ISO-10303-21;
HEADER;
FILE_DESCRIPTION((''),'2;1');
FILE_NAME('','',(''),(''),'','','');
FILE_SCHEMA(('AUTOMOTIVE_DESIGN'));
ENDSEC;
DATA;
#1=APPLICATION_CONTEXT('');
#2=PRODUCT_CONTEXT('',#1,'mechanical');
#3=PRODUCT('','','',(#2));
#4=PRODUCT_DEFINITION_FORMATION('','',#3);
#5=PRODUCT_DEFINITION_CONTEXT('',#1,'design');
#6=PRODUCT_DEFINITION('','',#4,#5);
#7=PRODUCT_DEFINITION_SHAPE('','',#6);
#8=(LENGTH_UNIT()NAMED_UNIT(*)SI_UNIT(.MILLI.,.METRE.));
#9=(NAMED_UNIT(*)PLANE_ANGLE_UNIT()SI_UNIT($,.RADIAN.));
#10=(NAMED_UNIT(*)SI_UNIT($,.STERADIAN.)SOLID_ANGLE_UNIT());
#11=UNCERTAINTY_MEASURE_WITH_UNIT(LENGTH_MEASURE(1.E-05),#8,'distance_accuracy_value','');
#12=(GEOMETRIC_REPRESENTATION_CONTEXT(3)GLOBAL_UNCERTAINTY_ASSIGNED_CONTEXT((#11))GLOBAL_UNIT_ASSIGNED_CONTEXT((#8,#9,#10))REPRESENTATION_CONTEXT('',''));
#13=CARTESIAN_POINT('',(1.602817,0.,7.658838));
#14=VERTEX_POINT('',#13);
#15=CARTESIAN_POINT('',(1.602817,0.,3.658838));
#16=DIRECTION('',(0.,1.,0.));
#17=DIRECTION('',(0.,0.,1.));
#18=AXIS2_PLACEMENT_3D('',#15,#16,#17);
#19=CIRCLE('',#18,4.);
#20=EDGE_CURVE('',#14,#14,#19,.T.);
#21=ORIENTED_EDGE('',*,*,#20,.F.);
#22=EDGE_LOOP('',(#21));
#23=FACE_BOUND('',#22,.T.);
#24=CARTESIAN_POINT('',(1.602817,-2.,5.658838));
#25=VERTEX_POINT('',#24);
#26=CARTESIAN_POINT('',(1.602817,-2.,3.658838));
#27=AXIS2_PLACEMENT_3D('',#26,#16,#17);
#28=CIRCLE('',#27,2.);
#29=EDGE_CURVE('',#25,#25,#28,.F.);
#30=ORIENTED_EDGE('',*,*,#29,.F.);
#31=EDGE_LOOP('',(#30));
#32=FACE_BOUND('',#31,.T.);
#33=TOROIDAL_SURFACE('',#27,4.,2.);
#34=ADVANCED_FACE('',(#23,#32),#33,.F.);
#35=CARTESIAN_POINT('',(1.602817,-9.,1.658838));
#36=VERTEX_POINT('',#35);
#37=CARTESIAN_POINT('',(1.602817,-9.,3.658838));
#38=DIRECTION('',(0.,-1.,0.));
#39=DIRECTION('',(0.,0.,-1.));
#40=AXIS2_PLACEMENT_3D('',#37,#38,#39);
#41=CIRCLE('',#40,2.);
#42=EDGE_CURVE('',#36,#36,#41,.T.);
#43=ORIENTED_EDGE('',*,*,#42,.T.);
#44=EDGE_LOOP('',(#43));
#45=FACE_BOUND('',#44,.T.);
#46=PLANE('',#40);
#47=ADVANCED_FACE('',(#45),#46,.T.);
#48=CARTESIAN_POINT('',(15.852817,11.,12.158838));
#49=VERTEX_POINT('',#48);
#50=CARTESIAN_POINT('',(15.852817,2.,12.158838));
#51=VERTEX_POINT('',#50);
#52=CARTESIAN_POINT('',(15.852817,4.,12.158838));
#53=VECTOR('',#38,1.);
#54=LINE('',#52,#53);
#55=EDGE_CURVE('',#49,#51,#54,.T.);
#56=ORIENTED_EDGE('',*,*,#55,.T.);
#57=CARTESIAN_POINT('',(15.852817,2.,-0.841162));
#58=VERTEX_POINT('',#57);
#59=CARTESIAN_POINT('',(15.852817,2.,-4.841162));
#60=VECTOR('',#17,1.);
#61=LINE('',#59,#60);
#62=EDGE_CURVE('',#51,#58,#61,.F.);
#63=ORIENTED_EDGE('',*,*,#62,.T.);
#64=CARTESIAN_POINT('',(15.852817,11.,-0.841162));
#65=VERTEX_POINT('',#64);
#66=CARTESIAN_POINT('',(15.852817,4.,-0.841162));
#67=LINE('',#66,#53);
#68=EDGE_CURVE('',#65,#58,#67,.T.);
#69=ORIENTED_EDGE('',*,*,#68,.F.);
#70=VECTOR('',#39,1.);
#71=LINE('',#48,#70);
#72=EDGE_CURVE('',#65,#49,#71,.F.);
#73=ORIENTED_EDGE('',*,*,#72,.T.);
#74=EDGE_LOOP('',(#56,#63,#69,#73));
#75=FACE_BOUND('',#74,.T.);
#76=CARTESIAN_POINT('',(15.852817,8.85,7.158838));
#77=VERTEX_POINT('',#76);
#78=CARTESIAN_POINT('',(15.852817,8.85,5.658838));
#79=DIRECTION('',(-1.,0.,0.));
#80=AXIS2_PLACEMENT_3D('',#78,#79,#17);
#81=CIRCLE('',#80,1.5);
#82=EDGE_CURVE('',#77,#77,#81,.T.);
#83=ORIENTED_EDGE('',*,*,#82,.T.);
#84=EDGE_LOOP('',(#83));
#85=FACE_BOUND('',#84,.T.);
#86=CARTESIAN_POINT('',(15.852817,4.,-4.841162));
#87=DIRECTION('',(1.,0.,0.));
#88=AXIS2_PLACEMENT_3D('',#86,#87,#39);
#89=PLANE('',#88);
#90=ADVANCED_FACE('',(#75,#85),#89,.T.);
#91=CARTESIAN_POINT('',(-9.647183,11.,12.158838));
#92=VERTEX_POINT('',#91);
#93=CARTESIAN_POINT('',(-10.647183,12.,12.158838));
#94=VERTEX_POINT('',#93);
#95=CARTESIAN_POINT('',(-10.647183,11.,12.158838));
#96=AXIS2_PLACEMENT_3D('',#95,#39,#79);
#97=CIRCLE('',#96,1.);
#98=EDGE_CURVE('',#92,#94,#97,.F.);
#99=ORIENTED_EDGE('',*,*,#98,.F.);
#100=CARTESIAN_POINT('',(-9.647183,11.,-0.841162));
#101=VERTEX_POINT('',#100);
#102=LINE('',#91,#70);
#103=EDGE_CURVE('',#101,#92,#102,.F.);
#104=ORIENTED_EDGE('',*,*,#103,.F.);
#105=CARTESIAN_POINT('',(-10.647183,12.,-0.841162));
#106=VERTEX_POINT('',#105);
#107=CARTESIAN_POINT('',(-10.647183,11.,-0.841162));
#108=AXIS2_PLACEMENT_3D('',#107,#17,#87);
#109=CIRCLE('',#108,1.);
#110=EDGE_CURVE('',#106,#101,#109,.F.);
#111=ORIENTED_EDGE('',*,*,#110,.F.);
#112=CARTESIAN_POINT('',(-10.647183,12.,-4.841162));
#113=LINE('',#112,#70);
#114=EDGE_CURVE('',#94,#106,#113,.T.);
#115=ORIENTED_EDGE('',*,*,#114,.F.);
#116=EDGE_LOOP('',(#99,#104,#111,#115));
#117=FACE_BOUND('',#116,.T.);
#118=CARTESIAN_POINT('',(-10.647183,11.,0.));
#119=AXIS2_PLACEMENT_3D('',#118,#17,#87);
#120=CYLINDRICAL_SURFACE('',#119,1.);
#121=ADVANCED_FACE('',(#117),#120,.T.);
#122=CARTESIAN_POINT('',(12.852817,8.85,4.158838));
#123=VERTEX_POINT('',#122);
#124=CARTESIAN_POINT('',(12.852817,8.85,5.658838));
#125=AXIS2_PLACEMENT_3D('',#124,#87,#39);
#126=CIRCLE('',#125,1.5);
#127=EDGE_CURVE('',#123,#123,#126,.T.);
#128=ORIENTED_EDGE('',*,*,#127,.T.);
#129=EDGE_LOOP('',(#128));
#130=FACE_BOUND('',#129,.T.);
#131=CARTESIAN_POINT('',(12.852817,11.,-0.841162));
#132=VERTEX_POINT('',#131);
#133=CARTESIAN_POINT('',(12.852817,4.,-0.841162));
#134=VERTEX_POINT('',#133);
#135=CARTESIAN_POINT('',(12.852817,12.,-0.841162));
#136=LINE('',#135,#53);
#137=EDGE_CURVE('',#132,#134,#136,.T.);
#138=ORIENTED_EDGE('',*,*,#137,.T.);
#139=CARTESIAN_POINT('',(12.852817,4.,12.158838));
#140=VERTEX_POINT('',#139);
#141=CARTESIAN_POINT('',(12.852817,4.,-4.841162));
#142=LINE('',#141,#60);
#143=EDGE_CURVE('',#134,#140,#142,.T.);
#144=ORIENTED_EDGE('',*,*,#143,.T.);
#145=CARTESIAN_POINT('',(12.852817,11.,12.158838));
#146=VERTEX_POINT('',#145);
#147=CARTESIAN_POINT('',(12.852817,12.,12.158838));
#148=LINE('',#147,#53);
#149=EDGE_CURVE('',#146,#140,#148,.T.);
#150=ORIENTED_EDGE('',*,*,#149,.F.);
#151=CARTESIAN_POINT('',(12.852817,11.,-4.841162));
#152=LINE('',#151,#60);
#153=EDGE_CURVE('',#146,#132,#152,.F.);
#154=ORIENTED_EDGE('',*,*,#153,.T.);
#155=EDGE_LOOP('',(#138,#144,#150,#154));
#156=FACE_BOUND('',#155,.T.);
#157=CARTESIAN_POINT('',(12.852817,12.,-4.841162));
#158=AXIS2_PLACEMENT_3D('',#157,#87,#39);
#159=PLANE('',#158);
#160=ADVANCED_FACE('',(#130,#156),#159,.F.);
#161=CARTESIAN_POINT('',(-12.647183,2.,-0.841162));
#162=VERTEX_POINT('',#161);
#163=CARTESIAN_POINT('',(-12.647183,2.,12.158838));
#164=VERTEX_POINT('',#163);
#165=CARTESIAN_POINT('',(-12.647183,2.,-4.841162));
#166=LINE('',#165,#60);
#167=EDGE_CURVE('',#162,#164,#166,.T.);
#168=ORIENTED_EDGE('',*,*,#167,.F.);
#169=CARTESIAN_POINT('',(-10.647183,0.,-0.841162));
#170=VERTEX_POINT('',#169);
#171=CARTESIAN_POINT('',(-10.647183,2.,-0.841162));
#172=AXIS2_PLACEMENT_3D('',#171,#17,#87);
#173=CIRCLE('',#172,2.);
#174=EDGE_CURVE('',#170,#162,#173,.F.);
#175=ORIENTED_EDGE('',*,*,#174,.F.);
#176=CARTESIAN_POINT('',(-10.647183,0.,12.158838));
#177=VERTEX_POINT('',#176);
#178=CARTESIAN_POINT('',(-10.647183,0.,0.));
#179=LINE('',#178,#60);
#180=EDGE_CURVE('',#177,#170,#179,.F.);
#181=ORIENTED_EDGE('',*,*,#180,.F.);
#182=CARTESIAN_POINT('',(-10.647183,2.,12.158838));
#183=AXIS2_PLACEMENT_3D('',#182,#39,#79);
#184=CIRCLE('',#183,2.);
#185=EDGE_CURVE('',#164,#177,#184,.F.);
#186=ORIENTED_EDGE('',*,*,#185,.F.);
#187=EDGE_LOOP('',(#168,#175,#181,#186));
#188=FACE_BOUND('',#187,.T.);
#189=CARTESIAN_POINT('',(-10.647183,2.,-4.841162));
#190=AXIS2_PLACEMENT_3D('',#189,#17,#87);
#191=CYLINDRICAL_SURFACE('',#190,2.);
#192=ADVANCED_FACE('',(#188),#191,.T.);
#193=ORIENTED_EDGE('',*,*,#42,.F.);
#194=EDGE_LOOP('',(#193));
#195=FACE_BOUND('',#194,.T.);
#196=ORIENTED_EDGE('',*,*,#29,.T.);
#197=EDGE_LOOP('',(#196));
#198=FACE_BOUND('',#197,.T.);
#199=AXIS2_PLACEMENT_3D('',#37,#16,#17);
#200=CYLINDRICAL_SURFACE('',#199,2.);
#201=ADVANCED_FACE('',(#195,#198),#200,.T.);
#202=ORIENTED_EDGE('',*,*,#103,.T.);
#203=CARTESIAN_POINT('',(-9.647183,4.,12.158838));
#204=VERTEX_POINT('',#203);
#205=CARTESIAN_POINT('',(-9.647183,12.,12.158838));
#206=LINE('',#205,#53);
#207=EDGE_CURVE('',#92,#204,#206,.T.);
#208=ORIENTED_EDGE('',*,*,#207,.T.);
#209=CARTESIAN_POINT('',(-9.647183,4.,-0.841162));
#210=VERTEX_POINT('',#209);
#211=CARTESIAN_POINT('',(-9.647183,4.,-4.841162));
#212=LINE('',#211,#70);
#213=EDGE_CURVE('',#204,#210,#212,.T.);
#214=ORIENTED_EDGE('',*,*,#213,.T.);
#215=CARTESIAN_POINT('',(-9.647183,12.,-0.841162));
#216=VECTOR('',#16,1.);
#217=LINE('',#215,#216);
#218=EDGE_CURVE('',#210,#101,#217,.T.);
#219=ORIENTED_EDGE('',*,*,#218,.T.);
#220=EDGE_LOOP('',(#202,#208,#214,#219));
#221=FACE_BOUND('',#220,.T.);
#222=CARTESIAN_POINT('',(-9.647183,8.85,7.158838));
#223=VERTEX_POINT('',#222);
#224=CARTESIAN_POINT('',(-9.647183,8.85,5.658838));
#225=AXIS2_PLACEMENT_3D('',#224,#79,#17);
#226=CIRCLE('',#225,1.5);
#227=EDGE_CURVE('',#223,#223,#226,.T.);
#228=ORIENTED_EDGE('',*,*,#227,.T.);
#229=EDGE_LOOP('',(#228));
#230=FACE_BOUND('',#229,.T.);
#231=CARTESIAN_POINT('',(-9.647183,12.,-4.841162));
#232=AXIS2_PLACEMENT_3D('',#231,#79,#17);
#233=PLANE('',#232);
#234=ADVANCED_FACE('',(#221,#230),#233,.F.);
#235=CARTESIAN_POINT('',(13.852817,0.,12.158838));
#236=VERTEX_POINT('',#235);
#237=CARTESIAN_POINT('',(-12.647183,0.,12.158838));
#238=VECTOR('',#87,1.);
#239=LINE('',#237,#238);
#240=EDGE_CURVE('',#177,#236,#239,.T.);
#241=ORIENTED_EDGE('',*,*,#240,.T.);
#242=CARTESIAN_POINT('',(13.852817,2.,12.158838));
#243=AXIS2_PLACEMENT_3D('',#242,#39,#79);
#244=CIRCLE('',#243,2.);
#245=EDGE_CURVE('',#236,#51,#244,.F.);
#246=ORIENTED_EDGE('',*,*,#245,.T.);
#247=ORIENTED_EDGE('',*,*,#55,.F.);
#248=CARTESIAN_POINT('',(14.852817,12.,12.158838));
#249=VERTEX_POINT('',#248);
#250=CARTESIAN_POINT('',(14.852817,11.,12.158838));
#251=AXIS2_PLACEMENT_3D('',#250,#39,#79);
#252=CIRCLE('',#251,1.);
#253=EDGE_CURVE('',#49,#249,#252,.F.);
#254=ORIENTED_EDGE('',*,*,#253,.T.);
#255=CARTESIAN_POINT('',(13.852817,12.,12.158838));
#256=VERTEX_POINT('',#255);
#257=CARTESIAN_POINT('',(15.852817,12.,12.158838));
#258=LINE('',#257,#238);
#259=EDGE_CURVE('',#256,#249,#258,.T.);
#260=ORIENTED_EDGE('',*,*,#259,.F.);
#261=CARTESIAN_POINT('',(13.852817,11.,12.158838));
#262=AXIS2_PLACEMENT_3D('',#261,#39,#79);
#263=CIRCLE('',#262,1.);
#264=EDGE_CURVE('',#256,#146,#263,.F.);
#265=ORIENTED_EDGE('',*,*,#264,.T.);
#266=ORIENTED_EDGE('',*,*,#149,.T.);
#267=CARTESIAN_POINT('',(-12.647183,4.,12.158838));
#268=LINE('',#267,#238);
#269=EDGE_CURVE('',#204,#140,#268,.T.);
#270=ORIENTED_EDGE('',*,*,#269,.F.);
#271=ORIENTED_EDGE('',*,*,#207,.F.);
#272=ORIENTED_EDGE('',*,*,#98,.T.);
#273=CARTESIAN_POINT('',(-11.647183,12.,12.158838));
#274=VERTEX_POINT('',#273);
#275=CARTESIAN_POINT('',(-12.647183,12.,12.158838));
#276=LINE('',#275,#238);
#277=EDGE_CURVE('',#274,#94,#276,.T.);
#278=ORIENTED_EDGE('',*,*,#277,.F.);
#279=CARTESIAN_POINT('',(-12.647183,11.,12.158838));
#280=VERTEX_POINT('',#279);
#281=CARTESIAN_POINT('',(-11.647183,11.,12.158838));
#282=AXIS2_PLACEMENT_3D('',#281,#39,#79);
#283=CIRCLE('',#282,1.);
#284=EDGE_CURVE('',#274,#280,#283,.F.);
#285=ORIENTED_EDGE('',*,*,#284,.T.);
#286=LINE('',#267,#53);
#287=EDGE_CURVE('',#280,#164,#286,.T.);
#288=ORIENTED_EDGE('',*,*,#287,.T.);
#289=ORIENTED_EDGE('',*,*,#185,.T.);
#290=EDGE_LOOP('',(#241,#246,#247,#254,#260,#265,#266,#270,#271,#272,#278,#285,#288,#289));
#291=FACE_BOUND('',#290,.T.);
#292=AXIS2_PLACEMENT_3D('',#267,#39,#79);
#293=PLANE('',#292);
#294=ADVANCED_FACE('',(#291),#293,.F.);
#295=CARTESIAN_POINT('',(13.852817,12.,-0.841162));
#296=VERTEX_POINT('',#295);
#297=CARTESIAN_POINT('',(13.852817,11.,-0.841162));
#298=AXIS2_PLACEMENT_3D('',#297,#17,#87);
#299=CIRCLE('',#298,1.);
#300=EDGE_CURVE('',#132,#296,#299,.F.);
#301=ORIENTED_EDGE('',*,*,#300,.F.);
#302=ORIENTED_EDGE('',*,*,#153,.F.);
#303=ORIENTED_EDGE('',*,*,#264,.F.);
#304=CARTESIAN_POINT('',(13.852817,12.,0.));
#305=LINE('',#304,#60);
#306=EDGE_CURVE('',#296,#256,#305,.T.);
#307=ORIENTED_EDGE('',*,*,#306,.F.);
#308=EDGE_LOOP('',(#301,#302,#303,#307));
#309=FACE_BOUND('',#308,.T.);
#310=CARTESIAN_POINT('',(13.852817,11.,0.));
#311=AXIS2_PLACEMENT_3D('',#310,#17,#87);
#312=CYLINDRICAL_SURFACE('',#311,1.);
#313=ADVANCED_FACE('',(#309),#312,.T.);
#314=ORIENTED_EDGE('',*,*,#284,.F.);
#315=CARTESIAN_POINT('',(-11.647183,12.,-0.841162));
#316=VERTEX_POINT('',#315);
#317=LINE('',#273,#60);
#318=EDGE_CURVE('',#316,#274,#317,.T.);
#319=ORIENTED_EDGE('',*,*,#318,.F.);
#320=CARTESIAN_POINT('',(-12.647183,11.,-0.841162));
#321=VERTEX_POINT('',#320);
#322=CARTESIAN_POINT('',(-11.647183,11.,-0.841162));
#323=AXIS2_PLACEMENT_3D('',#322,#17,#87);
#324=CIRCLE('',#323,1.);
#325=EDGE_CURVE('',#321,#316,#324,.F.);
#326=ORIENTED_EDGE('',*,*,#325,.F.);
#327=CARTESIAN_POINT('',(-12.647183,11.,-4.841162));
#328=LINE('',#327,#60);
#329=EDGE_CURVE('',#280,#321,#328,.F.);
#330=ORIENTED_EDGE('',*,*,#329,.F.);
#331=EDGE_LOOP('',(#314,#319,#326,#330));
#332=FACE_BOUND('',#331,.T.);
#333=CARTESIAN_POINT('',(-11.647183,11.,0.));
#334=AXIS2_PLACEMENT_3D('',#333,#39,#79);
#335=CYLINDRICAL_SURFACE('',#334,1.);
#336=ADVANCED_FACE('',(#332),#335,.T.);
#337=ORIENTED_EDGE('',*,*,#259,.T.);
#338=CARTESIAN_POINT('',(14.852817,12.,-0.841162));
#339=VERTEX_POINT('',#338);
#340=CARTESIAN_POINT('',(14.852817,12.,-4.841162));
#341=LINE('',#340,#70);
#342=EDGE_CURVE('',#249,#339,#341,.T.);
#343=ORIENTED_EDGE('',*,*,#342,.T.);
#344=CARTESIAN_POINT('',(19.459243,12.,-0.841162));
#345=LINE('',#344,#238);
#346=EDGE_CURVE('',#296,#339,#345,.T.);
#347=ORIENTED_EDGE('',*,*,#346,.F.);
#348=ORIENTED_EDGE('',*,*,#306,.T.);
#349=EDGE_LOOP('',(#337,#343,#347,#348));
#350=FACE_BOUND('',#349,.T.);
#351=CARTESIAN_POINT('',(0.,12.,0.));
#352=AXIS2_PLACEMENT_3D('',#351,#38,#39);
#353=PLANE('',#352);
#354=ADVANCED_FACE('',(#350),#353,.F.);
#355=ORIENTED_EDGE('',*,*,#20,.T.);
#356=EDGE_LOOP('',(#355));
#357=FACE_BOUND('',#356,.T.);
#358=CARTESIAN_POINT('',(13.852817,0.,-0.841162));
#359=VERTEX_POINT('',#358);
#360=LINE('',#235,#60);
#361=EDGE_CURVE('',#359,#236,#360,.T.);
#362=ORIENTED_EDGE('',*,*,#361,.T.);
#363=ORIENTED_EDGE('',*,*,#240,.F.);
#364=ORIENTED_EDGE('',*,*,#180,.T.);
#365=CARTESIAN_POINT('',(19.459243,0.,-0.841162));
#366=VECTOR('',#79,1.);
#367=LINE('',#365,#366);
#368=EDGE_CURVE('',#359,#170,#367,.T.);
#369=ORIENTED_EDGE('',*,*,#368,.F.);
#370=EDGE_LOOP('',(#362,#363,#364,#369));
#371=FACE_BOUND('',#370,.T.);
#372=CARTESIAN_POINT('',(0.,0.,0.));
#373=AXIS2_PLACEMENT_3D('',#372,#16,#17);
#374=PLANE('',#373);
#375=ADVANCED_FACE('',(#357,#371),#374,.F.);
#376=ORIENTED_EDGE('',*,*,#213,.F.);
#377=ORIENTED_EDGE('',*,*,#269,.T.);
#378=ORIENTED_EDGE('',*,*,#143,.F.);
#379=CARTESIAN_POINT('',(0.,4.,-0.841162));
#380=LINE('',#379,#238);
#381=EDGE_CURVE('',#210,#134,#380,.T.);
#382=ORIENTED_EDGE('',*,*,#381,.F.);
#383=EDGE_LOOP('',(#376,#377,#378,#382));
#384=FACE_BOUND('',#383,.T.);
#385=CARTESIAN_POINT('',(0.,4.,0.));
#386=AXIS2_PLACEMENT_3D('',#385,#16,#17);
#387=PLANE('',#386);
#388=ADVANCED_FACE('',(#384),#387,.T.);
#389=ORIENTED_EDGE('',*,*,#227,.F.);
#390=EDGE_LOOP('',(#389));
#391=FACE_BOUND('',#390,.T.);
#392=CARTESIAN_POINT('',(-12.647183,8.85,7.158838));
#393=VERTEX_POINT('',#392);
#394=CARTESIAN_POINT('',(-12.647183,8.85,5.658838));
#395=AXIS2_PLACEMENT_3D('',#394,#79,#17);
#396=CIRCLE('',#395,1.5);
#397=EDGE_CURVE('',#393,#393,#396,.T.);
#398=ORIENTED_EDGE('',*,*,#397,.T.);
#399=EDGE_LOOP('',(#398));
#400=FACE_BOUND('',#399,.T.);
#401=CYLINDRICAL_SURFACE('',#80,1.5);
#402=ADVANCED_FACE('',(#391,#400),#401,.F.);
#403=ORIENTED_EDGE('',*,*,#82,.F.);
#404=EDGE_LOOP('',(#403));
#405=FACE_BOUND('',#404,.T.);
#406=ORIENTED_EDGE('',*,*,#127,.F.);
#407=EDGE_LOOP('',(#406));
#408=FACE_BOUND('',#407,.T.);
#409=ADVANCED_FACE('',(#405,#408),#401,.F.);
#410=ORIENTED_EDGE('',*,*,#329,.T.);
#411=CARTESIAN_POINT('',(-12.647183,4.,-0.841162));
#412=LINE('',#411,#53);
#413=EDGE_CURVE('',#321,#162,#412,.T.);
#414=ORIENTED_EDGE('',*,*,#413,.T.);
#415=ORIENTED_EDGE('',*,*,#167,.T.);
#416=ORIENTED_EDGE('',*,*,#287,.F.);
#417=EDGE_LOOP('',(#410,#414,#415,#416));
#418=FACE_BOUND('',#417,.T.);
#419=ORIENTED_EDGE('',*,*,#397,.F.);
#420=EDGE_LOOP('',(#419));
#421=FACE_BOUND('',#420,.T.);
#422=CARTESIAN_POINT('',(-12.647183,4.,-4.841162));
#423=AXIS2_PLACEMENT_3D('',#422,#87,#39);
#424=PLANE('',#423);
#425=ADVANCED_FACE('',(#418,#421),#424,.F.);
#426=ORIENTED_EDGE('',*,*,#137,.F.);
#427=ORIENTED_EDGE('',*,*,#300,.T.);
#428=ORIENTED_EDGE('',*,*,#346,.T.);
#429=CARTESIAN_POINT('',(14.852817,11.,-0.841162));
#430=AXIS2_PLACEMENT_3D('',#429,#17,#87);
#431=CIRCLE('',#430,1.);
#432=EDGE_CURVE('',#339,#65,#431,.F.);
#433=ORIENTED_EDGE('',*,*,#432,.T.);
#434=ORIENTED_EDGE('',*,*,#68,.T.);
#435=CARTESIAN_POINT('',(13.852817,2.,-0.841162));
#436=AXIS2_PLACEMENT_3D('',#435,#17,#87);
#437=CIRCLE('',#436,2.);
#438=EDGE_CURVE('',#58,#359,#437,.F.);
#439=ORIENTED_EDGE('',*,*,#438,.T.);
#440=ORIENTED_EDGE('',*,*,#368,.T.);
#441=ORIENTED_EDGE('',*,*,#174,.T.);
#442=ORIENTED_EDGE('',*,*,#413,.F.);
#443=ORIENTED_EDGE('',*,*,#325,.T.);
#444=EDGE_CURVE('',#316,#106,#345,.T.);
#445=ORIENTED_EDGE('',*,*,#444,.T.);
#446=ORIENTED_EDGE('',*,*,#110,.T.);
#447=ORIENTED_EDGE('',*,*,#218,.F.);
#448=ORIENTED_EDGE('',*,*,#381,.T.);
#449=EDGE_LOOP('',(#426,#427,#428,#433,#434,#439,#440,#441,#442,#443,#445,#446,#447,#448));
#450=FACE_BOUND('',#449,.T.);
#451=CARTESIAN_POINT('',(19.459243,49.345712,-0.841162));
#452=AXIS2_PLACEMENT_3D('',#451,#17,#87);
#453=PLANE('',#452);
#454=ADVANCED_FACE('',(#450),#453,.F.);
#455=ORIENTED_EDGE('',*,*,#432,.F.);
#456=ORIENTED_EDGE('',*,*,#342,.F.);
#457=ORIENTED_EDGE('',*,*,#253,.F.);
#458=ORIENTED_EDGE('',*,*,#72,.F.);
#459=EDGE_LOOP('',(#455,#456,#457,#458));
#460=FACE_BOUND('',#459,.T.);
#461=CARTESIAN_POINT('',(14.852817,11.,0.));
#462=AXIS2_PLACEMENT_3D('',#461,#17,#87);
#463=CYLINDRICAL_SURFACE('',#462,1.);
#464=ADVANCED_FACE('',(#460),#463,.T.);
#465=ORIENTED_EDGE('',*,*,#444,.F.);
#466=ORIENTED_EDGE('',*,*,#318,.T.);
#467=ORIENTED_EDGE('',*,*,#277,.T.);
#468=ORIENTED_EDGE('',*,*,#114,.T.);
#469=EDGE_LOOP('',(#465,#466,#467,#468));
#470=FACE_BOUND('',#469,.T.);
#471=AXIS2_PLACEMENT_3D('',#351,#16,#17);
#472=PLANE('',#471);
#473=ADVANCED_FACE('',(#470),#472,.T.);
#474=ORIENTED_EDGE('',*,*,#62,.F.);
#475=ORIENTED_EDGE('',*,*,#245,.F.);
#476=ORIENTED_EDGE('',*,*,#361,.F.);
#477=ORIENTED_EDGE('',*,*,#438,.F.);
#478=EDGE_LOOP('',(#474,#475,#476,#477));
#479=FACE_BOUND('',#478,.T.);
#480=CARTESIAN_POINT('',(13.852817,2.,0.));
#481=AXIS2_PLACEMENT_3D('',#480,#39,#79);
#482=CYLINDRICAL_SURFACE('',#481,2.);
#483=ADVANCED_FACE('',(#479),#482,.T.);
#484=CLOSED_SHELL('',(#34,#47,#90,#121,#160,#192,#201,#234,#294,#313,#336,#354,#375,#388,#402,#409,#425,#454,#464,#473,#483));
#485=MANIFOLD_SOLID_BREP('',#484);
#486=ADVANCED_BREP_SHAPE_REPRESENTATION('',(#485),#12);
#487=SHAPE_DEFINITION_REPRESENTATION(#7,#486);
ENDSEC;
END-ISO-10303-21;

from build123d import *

# Parameters (mm, degrees)
SKETCH1_W           = 28.5
SKETCH1_H           = 17
BOSS_EXTRUDE1_DEPTH = 4
SKETCH2_W           = 3
SKETCH2_H           = 17
BOSS_EXTRUDE2_DEPTH = 8
SKETCH3_R           = 1.5
CUT_EXTRUDE1_DEPTH  = 29.5
SKETCH4_R           = 2
BOSS_EXTRUDE3_DEPTH = 9
FILLET1_R           = 2
FILLET2_R           = 2
FILLET3_R           = 1
SKETCH5_W           = 36.717008867
SKETCH5_H           = 6.82374105
CUT_EXTRUDE2_DEPTH  = 12


with BuildPart() as part:
    # Sketch1 → Boss-Extrude1 (new body)
    with BuildSketch(Plane(origin=(0, 0, 0), x_dir=(1, 0, 0), z_dir=(0, 1, 0))):
        with Locations((1.602817149, -3.658837531)):
            Rectangle(SKETCH1_W, SKETCH1_H)
    extrude(amount=BOSS_EXTRUDE1_DEPTH)

    # Sketch2 → Boss-Extrude2 (add)
    with BuildSketch(Plane(origin=(0, 4, 0), x_dir=(1, 0, 0), z_dir=(0, 1, 0))):
        with Locations((-11.147182851, -3.658837531)):
            Rectangle(SKETCH2_W, SKETCH2_H)
        with Locations((14.352817149, -3.658837531)):
            Rectangle(SKETCH2_W, SKETCH2_H)
    extrude(amount=BOSS_EXTRUDE2_DEPTH)

    # Sketch3 → Cut-Extrude1 (cut, through all)
    with BuildSketch(Plane.ZY.offset(12.647182851)):
        with Locations((5.658837531, 8.85)):
            Circle(SKETCH3_R)
    extrude(amount=-CUT_EXTRUDE1_DEPTH, mode=Mode.SUBTRACT)

    # Sketch4 → Boss-Extrude3 (add)
    with BuildSketch(Plane.XZ):
        with Locations((1.602817149, 3.658837531)):
            Circle(SKETCH4_R)
    extrude(amount=BOSS_EXTRUDE3_DEPTH)

    # Fillet1
    fillet1_edges = [part.edges().sort_by_distance(p)[0] for p in [
        (-0.397182851, 0, 3.658837531),
    ]]
    fillet(fillet1_edges, radius=FILLET1_R)

    # Fillet2
    fillet2_edges = [part.edges().sort_by_distance(p)[0] for p in [
        (15.852817149, 0, 3.658837531),
        (-12.647182851, 0, 3.658837531),
    ]]
    fillet(fillet2_edges, radius=FILLET2_R)

    # Fillet3
    fillet3_edges = [part.edges().sort_by_distance(p)[0] for p in [
        (-12.647182851, 12, 3.658837531),
        (-9.647182851, 12, 3.658837531),
        (15.852817149, 12, 3.658837531),
        (12.852817149, 12, 3.658837531),
    ]]
    fillet(fillet3_edges, radius=FILLET3_R)

    # Sketch5 → Cut-Extrude2 (cut)
    with BuildSketch(Plane.XZ):
        with Locations((1.100738545, -4.253032994)):
            Rectangle(SKETCH5_W, SKETCH5_H)
    extrude(amount=-CUT_EXTRUDE2_DEPTH, mode=Mode.SUBTRACT)


solid = part.part
